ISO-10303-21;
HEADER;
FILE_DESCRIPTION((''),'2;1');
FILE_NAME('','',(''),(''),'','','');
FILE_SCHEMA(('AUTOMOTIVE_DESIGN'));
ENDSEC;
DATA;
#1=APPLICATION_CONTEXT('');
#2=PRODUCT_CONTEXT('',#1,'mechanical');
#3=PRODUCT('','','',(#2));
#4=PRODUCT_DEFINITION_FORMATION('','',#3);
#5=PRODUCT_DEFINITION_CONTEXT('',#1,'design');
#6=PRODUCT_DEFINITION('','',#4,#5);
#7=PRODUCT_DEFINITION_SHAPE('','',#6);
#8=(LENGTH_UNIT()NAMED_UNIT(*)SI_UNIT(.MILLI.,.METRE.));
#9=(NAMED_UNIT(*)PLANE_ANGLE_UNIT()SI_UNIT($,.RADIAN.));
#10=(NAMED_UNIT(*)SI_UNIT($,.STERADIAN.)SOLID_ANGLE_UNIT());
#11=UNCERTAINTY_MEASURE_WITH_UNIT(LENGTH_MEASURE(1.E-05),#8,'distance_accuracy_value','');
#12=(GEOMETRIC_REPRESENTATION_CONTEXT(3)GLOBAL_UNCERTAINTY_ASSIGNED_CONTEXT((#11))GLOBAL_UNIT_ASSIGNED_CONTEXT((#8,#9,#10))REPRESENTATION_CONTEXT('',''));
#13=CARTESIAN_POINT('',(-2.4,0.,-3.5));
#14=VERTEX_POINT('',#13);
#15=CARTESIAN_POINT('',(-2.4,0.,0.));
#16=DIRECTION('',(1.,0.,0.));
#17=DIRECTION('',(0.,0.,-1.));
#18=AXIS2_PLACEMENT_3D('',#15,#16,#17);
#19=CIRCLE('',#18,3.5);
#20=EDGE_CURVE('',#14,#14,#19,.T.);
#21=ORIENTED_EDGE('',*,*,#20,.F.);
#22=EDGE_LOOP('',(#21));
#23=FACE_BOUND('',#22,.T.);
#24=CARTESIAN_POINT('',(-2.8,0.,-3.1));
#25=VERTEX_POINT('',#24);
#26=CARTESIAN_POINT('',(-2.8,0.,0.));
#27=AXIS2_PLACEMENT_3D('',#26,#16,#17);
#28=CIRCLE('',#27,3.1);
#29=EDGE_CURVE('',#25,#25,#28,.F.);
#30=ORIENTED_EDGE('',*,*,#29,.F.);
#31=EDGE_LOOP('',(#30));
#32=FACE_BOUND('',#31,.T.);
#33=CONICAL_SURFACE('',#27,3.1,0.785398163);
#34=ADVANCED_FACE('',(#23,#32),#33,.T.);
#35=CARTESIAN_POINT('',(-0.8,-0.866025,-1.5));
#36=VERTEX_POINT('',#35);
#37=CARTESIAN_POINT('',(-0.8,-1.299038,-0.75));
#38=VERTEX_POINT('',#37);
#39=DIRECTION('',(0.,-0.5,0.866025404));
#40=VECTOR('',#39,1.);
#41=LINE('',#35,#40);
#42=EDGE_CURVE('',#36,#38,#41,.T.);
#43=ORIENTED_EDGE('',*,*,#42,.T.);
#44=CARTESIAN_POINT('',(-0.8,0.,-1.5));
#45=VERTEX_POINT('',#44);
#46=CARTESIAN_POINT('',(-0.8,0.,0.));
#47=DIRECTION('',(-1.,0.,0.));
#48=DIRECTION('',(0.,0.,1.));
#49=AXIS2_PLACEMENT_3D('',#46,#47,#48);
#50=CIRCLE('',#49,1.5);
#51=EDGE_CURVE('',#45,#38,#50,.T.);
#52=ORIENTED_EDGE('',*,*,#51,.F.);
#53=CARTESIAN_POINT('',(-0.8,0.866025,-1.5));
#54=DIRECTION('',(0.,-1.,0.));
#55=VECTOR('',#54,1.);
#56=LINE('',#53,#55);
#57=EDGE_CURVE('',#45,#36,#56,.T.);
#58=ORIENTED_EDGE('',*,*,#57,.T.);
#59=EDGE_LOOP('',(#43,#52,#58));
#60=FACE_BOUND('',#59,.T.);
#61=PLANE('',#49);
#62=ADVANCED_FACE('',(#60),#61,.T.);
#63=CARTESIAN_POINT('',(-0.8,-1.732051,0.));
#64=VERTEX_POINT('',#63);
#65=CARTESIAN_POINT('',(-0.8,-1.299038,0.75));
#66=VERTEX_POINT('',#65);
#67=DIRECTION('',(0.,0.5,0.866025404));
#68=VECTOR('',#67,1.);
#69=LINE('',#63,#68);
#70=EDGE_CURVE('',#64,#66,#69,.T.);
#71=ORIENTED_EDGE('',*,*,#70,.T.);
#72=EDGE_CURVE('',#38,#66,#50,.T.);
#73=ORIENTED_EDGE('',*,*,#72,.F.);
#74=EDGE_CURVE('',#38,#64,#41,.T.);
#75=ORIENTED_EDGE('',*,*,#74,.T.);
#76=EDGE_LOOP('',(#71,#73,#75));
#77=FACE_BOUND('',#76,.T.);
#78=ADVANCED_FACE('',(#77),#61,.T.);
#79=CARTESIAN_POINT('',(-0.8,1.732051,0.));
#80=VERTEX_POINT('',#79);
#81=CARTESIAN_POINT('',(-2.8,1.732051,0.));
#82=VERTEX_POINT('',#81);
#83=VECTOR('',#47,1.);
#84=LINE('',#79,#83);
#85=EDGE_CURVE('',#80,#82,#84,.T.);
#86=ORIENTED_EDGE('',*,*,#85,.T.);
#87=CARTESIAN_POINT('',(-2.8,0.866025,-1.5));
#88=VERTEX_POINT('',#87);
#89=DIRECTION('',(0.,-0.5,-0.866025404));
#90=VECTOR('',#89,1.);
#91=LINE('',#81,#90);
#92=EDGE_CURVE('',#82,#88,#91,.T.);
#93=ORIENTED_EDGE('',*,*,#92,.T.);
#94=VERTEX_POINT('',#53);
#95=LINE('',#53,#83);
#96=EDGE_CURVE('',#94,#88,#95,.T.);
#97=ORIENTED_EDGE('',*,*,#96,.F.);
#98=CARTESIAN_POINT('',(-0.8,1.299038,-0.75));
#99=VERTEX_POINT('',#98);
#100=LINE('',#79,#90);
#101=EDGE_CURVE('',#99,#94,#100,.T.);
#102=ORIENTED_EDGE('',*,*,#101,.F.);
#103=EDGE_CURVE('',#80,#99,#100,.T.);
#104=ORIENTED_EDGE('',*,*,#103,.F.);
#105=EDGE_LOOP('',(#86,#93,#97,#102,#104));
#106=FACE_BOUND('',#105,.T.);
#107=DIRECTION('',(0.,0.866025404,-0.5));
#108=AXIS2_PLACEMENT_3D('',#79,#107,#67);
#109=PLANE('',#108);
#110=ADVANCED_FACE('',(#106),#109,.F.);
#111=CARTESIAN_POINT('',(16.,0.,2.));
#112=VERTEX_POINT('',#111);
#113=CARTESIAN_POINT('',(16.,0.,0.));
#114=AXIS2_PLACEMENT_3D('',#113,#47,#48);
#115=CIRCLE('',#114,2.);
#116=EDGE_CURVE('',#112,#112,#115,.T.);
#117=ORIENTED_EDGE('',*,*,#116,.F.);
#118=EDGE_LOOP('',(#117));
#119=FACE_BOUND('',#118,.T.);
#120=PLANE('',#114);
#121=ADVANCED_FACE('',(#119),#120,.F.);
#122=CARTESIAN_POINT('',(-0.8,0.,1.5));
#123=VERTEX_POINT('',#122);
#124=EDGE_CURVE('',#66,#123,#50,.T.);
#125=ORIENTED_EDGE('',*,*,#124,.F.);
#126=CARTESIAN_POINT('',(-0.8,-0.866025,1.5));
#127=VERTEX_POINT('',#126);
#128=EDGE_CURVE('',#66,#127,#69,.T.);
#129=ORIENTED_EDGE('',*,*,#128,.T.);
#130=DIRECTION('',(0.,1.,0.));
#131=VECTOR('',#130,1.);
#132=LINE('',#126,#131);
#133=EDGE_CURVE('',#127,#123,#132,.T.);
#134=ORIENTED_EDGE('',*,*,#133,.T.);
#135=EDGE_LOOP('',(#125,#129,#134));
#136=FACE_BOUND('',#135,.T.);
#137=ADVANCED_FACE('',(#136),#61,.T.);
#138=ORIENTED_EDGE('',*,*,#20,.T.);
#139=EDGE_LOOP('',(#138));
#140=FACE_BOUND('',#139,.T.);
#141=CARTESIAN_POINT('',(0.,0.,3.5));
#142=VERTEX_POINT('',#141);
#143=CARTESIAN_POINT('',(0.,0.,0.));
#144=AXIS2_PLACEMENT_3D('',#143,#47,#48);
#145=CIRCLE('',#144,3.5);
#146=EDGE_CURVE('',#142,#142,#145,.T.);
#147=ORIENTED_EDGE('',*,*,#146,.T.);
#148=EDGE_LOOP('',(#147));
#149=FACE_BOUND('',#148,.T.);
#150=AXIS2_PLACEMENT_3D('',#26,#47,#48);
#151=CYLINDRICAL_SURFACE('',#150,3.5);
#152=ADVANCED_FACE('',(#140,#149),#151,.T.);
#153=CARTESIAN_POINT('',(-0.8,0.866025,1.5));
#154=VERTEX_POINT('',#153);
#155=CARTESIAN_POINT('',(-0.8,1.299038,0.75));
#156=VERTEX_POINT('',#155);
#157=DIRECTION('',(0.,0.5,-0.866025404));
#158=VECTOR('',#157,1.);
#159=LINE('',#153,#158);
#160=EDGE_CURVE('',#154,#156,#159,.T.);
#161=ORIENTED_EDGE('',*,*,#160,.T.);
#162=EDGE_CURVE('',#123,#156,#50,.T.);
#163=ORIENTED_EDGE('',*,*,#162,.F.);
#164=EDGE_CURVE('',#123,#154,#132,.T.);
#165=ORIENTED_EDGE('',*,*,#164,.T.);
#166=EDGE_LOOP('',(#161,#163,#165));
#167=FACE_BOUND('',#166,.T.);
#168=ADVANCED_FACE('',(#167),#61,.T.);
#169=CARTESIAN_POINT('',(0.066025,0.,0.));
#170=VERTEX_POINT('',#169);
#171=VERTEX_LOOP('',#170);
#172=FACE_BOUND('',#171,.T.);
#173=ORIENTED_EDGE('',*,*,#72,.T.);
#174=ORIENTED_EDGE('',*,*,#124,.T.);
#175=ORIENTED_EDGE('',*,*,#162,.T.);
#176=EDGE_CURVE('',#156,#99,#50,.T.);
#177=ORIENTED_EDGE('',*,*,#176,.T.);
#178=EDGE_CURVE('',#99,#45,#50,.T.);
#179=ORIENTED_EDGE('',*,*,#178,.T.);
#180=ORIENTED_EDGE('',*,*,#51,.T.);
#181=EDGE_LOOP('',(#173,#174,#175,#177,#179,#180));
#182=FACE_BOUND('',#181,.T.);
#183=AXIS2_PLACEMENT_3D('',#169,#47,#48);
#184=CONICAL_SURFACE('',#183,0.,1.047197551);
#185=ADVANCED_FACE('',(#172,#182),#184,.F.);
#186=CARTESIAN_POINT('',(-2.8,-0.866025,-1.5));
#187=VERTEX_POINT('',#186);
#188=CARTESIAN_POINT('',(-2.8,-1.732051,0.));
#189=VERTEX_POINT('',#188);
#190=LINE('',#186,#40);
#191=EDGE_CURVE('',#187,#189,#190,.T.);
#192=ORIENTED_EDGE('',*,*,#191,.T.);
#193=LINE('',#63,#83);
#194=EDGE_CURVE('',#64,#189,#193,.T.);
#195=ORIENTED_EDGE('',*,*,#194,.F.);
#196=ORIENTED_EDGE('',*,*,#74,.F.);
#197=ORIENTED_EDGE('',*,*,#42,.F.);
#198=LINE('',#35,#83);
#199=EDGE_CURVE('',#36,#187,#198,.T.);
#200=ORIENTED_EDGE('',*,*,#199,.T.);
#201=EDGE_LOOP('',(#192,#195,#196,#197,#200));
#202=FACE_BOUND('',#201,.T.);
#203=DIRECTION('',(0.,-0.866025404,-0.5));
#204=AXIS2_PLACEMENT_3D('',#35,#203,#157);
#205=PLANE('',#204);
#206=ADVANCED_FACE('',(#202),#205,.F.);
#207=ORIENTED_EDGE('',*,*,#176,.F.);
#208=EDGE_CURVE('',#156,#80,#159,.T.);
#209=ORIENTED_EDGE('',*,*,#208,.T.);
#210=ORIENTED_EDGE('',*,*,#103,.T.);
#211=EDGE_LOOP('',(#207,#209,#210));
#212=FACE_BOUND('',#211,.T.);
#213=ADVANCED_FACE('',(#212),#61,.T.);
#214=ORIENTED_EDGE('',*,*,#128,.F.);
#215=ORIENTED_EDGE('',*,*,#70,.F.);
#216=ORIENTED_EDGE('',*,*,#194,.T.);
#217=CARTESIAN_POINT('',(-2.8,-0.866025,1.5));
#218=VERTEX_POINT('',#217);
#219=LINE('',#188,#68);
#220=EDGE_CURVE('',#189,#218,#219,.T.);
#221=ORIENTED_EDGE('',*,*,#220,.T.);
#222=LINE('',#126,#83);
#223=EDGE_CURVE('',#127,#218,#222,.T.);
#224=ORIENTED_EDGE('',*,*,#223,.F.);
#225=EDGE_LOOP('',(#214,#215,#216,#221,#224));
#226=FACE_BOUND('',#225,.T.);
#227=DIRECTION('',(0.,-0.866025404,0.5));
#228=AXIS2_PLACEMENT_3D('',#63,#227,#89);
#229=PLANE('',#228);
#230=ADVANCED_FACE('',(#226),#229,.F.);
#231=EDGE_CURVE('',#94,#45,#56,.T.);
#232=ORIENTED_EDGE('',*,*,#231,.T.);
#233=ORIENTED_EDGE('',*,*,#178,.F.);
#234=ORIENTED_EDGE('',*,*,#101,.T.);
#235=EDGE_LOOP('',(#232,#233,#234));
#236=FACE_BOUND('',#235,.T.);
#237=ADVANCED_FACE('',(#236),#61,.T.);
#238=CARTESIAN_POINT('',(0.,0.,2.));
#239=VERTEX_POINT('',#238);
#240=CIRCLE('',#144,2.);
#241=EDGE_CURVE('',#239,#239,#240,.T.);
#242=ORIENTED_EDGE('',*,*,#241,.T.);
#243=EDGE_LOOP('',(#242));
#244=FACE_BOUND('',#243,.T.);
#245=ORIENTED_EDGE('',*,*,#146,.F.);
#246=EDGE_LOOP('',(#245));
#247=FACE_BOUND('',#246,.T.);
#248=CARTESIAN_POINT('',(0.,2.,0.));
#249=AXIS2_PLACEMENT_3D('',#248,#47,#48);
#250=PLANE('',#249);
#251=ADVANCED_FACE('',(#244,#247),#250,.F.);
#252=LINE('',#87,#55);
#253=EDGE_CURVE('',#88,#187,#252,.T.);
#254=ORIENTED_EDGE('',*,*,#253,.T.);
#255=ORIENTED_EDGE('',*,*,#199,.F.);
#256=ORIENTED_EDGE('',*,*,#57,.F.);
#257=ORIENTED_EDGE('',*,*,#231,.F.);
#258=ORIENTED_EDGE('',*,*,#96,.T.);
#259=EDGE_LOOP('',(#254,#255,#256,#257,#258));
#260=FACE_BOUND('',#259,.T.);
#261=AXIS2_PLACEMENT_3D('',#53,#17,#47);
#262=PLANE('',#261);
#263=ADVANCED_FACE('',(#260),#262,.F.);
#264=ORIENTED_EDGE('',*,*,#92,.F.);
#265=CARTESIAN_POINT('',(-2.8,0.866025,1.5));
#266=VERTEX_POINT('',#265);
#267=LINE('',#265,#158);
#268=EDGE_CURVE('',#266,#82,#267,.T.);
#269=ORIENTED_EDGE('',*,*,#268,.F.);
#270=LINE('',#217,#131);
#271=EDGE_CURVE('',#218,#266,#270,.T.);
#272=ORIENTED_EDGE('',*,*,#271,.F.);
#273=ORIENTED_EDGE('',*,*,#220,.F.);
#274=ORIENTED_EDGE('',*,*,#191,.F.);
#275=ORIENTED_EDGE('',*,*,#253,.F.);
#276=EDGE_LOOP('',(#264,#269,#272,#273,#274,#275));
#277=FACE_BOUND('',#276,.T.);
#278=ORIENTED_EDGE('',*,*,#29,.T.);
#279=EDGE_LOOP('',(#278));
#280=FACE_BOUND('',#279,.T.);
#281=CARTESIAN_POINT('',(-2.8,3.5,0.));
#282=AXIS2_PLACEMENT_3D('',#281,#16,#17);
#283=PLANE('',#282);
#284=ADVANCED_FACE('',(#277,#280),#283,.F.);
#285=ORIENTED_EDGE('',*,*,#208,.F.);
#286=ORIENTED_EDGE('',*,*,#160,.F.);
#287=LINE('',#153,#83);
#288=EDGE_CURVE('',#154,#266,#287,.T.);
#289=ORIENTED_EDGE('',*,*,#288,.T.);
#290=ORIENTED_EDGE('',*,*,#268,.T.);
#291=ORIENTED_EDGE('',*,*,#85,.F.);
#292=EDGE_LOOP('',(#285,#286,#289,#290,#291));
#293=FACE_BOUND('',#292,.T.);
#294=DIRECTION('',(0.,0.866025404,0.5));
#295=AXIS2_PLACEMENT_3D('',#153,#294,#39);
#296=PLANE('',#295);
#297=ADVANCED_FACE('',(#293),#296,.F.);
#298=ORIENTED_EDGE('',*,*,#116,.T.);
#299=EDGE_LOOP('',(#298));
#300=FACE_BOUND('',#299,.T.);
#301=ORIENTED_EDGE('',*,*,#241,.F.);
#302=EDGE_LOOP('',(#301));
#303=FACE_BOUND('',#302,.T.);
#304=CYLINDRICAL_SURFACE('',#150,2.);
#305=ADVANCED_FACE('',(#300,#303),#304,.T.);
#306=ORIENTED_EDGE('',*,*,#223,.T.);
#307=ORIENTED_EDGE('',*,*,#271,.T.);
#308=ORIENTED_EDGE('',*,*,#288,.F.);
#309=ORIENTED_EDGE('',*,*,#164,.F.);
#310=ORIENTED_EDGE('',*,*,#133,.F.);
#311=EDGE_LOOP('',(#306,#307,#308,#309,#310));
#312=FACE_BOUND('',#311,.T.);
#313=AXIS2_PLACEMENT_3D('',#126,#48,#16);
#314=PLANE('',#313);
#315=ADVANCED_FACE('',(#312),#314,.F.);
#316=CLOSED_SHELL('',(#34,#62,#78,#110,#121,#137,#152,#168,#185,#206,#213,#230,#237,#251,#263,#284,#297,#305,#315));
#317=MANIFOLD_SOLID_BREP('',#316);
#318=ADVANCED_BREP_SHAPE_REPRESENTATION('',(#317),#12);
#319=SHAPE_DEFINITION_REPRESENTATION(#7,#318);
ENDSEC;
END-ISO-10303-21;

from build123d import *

# Parameters (mm, degrees)
CUT_EXTRUDE1_DEPTH = 2
CHAMFER1_SIZE      = 0.4


with BuildPart() as part:
    # Sketch1 → Revolve1 (revolve)
    with BuildSketch(Plane.XY, mode=Mode.PRIVATE) as revolve1_sk:
        Polygon((16, 0), (16, 2), (0, 2), (0, 3.5), (-2.8, 3.5), (-2.8, 0), align=None)
    revolve(revolve1_sk.sketch.rotate(Axis((-2.8, 0, 0), (1, 0, 0)), 90), axis=Axis((-2.8, 0, 0), (1, 0, 0)))

    # Sketch2 → Cut-Extrude1 (cut)
    with BuildSketch(Plane.ZY.offset(2.8)):
        Polygon((0, 1.732050808), (-1.5, 0.866025404), (-1.5, -0.866025404), (0, -1.732050808), (1.5, -0.866025404), (1.5, 0.866025404), align=None)
    extrude(amount=-CUT_EXTRUDE1_DEPTH, mode=Mode.SUBTRACT)

    # Sketch3 → Cut-Revolve1 (revolve, cut)
    with BuildSketch(Plane.XY, mode=Mode.PRIVATE) as cut_revolve1_sk:
        Polygon((0.066025404, 0), (-0.8, 1.5), (-0.8, 0), align=None)
    revolve(cut_revolve1_sk.sketch.rotate(Axis((-0.8, 0, 0), (1, 0, 0)), 90), axis=Axis((-0.8, 0, 0), (1, 0, 0)), mode=Mode.SUBTRACT)

    # Chamfer1
    chamfer1_edges = [part.edges().sort_by_distance(p)[0] for p in [
        (-2.8, 0, -3.5),
    ]]
    chamfer(chamfer1_edges, length=CHAMFER1_SIZE)


solid = part.part
